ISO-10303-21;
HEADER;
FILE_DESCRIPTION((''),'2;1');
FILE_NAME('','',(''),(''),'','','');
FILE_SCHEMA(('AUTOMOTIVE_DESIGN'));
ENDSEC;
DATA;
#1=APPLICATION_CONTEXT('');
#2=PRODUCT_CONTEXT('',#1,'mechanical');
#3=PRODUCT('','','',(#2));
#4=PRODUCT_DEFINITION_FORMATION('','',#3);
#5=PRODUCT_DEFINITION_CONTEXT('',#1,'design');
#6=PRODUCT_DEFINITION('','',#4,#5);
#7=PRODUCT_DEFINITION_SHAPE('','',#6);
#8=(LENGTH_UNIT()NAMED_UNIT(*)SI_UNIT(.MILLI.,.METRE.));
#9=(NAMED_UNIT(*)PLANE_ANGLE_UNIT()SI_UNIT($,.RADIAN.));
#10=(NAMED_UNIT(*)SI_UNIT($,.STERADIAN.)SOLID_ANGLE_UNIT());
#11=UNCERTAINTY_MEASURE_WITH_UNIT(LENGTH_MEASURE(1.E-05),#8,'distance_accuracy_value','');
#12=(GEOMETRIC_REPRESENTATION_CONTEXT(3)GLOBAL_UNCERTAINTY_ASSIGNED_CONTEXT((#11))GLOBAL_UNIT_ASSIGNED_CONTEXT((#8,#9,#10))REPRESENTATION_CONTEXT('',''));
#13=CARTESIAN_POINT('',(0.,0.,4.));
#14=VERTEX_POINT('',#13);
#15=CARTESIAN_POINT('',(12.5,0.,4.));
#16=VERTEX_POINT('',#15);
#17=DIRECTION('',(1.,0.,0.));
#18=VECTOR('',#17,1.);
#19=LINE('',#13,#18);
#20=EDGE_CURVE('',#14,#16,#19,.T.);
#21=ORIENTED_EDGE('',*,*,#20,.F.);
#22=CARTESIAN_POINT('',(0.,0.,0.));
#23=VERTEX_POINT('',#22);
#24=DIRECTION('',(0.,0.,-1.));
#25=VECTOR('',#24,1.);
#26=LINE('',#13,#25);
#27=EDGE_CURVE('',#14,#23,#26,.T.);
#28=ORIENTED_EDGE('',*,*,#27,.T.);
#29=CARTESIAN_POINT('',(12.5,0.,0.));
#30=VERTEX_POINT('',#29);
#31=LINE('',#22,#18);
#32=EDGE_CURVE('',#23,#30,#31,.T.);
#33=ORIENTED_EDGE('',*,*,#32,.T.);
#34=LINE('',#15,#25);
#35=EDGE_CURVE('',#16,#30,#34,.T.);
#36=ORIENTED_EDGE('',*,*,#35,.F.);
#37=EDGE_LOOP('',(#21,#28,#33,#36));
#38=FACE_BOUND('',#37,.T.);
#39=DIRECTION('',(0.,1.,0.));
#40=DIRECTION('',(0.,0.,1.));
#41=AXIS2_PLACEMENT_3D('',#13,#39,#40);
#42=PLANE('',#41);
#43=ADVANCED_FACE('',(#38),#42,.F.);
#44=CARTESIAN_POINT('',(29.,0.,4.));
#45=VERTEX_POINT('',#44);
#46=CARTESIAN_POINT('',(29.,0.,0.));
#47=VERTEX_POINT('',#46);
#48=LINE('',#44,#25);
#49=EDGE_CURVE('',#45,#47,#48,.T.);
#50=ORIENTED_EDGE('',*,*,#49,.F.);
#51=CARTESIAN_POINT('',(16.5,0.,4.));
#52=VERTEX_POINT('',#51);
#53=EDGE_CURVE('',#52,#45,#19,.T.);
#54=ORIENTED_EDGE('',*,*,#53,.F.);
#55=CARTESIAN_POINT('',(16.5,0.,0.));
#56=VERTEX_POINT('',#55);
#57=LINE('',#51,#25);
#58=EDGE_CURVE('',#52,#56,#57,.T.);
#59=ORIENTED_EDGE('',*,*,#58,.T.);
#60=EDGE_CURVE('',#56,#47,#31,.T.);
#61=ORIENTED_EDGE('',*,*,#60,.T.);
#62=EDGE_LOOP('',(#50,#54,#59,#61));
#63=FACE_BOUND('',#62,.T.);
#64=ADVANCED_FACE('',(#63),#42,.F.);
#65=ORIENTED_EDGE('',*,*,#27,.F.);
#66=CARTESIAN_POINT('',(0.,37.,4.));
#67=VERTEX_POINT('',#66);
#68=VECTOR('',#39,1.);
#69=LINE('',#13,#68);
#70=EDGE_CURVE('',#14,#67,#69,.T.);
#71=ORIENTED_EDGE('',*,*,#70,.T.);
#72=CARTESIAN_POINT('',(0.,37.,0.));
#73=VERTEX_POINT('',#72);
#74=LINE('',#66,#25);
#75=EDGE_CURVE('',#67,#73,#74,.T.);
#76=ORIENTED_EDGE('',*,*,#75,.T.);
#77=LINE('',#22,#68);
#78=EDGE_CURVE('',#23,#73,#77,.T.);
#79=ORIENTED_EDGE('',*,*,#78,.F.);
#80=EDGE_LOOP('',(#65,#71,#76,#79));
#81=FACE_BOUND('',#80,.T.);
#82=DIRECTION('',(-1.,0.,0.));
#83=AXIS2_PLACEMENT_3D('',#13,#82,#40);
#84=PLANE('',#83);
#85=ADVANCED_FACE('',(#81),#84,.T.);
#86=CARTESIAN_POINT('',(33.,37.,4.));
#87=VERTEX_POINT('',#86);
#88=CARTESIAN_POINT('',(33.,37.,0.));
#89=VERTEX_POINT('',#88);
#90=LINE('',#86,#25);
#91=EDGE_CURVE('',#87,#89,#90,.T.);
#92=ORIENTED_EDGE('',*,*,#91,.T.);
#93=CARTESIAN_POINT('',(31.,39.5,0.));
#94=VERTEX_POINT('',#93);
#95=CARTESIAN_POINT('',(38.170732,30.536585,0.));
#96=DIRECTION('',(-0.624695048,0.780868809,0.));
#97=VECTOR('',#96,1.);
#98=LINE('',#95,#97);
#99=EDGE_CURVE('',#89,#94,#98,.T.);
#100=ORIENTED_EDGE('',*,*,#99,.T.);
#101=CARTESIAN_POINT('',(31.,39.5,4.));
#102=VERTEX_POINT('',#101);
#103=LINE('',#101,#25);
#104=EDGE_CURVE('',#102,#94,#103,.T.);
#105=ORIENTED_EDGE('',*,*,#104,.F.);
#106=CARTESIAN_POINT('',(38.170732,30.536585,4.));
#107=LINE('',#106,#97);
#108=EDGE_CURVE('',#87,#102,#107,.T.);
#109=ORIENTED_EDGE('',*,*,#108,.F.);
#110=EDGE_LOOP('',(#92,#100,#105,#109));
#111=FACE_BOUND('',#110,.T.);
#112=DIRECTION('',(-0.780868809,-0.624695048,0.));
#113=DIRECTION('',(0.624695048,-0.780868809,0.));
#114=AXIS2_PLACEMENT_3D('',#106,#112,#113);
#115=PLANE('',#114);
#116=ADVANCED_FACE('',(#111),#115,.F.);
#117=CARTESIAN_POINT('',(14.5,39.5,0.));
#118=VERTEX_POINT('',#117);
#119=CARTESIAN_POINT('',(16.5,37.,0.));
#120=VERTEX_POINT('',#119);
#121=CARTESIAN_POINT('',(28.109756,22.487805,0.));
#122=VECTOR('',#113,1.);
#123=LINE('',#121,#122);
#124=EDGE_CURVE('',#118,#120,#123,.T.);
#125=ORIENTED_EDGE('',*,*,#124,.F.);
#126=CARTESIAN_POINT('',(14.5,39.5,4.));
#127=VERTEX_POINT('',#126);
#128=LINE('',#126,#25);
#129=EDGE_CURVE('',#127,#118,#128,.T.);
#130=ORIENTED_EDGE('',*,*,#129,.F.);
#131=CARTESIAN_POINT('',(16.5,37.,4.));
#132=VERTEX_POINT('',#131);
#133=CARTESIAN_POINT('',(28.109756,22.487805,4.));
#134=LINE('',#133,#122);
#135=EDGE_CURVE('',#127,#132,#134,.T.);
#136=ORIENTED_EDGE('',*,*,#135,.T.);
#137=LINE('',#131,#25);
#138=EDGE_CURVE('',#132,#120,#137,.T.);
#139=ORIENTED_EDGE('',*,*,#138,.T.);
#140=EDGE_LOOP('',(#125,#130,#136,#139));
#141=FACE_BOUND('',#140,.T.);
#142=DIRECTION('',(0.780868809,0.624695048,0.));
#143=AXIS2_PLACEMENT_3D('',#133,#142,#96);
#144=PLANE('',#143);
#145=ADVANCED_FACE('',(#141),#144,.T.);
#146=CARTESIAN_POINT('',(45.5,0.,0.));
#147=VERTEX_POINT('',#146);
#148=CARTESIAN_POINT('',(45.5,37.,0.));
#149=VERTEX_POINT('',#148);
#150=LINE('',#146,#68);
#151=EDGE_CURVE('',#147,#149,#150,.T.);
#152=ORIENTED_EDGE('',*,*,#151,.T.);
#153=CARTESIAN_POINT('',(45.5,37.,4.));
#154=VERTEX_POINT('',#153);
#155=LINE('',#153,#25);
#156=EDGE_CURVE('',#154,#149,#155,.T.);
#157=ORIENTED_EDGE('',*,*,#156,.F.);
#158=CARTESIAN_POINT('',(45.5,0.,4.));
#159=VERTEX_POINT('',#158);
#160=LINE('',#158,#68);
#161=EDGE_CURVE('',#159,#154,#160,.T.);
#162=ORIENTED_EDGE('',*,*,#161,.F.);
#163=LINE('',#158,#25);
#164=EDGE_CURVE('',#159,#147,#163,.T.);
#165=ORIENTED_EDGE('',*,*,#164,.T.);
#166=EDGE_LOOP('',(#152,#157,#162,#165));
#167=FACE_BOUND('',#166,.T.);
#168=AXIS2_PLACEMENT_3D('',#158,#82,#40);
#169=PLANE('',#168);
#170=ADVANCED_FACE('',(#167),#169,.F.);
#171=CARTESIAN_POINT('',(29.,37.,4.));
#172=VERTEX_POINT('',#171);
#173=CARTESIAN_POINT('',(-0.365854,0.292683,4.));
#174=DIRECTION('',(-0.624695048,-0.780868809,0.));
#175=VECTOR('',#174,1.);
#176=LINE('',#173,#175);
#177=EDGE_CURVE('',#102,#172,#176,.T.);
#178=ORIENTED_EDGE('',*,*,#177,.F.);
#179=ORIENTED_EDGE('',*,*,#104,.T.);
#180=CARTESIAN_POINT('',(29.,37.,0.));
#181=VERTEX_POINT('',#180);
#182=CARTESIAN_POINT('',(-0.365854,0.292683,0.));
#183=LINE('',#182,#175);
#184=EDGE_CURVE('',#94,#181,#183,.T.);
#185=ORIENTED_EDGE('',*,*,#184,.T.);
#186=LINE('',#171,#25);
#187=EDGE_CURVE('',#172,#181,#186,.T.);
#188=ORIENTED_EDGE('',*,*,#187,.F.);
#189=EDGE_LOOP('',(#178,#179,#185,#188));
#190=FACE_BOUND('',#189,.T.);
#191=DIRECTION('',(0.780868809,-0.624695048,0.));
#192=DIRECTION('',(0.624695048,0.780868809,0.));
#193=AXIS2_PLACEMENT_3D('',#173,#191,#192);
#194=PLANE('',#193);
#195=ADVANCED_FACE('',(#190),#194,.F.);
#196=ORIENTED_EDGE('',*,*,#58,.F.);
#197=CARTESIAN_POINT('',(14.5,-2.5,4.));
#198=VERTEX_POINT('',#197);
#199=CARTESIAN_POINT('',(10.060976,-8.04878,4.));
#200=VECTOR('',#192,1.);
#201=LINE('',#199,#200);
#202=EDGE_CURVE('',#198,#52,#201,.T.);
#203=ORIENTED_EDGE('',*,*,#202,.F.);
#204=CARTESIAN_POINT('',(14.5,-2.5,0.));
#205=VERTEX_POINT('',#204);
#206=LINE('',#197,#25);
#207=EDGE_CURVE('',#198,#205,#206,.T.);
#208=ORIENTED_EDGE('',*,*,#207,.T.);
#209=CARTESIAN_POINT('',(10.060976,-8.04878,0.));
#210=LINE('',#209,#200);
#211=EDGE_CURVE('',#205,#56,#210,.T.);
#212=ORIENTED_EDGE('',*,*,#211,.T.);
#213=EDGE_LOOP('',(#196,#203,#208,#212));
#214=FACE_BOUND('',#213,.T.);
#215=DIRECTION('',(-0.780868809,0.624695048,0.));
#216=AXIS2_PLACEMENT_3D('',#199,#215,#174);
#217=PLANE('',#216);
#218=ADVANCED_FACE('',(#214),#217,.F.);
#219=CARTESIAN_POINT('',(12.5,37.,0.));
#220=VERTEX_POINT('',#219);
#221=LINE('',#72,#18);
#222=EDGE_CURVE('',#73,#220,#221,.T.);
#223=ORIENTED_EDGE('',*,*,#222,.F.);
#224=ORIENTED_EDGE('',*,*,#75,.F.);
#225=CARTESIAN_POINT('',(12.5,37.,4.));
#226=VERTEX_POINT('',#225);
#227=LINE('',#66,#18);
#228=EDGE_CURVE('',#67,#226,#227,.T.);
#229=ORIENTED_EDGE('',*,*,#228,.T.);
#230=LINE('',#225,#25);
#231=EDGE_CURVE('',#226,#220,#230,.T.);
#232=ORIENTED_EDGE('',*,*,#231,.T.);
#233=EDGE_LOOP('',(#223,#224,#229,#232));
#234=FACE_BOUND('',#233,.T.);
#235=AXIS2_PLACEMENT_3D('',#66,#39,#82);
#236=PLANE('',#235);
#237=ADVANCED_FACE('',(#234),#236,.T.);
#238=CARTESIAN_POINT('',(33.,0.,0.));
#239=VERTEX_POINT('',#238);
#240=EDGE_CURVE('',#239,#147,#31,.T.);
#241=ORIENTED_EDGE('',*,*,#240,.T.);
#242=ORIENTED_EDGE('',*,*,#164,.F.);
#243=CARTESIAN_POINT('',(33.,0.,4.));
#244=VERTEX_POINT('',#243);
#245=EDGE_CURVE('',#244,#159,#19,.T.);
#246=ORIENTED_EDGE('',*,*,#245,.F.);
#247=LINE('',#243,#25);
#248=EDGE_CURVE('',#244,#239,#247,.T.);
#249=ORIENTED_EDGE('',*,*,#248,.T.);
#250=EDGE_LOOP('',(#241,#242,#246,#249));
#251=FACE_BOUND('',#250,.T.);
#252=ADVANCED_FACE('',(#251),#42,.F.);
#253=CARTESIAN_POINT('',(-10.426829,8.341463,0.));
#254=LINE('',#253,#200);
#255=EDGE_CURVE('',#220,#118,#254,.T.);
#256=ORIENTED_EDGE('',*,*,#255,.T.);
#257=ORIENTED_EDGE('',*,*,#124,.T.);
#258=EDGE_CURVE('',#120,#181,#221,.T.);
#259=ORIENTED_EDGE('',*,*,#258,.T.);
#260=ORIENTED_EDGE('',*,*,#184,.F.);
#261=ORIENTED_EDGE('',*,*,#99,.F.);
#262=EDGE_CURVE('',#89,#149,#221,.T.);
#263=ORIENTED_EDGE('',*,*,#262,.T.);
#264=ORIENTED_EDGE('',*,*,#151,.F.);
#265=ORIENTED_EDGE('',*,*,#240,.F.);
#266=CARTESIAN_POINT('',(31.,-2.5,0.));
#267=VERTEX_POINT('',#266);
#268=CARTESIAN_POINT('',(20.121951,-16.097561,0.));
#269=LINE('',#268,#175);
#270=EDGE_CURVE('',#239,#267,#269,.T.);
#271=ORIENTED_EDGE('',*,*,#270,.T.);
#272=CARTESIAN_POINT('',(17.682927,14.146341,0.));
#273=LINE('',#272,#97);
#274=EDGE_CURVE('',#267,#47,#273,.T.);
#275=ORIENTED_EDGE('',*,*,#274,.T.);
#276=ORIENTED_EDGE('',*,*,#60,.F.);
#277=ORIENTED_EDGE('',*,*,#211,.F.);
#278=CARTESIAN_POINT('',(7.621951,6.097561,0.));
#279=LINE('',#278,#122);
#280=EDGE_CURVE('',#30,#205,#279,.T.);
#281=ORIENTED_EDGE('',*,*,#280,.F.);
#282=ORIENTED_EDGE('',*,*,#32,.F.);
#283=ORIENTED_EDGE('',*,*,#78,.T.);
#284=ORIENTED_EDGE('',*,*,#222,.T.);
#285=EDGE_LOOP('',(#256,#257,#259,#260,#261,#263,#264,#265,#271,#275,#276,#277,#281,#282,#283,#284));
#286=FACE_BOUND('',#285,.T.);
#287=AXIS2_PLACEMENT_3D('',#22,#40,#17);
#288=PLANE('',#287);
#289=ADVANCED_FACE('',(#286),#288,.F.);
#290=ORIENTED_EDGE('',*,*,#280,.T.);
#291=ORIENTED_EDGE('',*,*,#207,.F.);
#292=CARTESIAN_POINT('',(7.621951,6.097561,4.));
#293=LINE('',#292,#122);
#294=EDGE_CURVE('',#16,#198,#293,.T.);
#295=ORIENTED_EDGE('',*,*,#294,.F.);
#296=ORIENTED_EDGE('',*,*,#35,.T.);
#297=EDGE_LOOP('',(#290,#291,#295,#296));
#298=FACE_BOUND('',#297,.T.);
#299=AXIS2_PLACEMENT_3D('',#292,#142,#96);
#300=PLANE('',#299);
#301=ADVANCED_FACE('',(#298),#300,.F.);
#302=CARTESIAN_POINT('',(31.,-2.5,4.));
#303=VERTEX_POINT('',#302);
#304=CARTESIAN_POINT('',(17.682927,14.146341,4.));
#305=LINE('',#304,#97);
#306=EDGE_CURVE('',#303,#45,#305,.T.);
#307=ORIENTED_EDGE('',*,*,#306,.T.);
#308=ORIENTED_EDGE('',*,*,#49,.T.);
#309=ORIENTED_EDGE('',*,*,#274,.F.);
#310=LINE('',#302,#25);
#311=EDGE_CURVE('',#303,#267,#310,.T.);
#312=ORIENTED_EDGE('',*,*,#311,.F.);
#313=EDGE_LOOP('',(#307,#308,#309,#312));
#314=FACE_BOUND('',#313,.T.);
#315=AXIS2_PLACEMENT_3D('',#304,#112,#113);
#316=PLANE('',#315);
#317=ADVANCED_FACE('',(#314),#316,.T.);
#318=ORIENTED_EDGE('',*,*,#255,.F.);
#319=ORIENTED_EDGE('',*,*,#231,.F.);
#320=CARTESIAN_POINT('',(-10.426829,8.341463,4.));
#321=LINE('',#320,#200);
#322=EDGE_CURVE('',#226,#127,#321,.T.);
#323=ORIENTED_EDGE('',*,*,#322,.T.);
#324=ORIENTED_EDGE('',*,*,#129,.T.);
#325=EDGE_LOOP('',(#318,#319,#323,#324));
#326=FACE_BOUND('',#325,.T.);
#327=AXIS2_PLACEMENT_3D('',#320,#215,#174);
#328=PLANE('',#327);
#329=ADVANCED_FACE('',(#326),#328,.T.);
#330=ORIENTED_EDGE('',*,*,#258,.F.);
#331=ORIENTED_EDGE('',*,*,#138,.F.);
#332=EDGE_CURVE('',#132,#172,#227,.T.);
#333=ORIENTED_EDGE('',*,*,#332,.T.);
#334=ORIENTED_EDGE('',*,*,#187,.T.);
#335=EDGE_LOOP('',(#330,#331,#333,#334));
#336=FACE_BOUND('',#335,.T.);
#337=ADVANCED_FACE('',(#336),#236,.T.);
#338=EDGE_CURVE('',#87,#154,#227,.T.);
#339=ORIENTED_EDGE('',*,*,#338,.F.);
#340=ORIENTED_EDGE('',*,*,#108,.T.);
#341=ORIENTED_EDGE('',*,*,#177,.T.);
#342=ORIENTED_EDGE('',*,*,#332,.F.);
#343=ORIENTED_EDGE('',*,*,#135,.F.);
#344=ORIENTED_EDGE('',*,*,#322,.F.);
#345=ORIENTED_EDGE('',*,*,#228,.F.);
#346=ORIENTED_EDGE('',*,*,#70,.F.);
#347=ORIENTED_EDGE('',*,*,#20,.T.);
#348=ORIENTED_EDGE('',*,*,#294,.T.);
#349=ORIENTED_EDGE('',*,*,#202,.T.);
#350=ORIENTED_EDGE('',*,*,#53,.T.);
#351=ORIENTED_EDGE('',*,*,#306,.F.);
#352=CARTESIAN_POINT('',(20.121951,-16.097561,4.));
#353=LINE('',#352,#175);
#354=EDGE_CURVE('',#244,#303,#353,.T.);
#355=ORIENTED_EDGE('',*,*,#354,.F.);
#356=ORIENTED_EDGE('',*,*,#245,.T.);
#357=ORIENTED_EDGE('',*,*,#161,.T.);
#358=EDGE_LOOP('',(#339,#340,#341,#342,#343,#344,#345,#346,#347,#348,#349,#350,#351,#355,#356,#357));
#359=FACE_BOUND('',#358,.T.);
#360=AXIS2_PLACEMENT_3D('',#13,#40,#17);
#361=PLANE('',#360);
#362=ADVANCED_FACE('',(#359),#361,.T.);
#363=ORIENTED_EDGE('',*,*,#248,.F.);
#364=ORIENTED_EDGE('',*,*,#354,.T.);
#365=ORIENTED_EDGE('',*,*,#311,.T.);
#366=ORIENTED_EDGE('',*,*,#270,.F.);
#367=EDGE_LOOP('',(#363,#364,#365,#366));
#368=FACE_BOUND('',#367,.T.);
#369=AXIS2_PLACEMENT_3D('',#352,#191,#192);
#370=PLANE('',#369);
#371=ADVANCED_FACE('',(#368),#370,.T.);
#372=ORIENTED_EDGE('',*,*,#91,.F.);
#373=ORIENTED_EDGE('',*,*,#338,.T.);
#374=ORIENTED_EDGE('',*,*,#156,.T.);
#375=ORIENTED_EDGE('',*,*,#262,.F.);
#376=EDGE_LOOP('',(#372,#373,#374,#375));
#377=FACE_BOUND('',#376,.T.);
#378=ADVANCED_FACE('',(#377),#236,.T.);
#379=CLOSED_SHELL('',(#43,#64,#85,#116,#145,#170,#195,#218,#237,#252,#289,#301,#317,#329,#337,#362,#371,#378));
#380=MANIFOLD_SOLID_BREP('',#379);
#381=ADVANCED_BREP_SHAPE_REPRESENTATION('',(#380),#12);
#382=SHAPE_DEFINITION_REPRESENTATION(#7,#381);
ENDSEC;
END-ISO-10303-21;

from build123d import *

# Parameters (mm, degrees)
SKETCH1_W   = 45.5
SKETCH1_H   = 37
BASIS_DEPTH = 4


with BuildPart() as part:
    # Sketch1 → Basis (new body)
    with BuildSketch(Plane.XY):
        with Locations((22.75, 18.5)):
            Rectangle(SKETCH1_W, SKETCH1_H)
        Polygon((14.5, 39.5), (12.5, 37), (16.5, 37), align=None)
        Polygon((31, 39.5), (29, 37), (33, 37), align=None)
        Polygon((16.5, 0), (12.5, 0), (14.5, -2.5), align=None)
        Polygon((33, 0), (29, 0), (31, -2.5), align=None)
    extrude(amount=BASIS_DEPTH)


solid = part.part
